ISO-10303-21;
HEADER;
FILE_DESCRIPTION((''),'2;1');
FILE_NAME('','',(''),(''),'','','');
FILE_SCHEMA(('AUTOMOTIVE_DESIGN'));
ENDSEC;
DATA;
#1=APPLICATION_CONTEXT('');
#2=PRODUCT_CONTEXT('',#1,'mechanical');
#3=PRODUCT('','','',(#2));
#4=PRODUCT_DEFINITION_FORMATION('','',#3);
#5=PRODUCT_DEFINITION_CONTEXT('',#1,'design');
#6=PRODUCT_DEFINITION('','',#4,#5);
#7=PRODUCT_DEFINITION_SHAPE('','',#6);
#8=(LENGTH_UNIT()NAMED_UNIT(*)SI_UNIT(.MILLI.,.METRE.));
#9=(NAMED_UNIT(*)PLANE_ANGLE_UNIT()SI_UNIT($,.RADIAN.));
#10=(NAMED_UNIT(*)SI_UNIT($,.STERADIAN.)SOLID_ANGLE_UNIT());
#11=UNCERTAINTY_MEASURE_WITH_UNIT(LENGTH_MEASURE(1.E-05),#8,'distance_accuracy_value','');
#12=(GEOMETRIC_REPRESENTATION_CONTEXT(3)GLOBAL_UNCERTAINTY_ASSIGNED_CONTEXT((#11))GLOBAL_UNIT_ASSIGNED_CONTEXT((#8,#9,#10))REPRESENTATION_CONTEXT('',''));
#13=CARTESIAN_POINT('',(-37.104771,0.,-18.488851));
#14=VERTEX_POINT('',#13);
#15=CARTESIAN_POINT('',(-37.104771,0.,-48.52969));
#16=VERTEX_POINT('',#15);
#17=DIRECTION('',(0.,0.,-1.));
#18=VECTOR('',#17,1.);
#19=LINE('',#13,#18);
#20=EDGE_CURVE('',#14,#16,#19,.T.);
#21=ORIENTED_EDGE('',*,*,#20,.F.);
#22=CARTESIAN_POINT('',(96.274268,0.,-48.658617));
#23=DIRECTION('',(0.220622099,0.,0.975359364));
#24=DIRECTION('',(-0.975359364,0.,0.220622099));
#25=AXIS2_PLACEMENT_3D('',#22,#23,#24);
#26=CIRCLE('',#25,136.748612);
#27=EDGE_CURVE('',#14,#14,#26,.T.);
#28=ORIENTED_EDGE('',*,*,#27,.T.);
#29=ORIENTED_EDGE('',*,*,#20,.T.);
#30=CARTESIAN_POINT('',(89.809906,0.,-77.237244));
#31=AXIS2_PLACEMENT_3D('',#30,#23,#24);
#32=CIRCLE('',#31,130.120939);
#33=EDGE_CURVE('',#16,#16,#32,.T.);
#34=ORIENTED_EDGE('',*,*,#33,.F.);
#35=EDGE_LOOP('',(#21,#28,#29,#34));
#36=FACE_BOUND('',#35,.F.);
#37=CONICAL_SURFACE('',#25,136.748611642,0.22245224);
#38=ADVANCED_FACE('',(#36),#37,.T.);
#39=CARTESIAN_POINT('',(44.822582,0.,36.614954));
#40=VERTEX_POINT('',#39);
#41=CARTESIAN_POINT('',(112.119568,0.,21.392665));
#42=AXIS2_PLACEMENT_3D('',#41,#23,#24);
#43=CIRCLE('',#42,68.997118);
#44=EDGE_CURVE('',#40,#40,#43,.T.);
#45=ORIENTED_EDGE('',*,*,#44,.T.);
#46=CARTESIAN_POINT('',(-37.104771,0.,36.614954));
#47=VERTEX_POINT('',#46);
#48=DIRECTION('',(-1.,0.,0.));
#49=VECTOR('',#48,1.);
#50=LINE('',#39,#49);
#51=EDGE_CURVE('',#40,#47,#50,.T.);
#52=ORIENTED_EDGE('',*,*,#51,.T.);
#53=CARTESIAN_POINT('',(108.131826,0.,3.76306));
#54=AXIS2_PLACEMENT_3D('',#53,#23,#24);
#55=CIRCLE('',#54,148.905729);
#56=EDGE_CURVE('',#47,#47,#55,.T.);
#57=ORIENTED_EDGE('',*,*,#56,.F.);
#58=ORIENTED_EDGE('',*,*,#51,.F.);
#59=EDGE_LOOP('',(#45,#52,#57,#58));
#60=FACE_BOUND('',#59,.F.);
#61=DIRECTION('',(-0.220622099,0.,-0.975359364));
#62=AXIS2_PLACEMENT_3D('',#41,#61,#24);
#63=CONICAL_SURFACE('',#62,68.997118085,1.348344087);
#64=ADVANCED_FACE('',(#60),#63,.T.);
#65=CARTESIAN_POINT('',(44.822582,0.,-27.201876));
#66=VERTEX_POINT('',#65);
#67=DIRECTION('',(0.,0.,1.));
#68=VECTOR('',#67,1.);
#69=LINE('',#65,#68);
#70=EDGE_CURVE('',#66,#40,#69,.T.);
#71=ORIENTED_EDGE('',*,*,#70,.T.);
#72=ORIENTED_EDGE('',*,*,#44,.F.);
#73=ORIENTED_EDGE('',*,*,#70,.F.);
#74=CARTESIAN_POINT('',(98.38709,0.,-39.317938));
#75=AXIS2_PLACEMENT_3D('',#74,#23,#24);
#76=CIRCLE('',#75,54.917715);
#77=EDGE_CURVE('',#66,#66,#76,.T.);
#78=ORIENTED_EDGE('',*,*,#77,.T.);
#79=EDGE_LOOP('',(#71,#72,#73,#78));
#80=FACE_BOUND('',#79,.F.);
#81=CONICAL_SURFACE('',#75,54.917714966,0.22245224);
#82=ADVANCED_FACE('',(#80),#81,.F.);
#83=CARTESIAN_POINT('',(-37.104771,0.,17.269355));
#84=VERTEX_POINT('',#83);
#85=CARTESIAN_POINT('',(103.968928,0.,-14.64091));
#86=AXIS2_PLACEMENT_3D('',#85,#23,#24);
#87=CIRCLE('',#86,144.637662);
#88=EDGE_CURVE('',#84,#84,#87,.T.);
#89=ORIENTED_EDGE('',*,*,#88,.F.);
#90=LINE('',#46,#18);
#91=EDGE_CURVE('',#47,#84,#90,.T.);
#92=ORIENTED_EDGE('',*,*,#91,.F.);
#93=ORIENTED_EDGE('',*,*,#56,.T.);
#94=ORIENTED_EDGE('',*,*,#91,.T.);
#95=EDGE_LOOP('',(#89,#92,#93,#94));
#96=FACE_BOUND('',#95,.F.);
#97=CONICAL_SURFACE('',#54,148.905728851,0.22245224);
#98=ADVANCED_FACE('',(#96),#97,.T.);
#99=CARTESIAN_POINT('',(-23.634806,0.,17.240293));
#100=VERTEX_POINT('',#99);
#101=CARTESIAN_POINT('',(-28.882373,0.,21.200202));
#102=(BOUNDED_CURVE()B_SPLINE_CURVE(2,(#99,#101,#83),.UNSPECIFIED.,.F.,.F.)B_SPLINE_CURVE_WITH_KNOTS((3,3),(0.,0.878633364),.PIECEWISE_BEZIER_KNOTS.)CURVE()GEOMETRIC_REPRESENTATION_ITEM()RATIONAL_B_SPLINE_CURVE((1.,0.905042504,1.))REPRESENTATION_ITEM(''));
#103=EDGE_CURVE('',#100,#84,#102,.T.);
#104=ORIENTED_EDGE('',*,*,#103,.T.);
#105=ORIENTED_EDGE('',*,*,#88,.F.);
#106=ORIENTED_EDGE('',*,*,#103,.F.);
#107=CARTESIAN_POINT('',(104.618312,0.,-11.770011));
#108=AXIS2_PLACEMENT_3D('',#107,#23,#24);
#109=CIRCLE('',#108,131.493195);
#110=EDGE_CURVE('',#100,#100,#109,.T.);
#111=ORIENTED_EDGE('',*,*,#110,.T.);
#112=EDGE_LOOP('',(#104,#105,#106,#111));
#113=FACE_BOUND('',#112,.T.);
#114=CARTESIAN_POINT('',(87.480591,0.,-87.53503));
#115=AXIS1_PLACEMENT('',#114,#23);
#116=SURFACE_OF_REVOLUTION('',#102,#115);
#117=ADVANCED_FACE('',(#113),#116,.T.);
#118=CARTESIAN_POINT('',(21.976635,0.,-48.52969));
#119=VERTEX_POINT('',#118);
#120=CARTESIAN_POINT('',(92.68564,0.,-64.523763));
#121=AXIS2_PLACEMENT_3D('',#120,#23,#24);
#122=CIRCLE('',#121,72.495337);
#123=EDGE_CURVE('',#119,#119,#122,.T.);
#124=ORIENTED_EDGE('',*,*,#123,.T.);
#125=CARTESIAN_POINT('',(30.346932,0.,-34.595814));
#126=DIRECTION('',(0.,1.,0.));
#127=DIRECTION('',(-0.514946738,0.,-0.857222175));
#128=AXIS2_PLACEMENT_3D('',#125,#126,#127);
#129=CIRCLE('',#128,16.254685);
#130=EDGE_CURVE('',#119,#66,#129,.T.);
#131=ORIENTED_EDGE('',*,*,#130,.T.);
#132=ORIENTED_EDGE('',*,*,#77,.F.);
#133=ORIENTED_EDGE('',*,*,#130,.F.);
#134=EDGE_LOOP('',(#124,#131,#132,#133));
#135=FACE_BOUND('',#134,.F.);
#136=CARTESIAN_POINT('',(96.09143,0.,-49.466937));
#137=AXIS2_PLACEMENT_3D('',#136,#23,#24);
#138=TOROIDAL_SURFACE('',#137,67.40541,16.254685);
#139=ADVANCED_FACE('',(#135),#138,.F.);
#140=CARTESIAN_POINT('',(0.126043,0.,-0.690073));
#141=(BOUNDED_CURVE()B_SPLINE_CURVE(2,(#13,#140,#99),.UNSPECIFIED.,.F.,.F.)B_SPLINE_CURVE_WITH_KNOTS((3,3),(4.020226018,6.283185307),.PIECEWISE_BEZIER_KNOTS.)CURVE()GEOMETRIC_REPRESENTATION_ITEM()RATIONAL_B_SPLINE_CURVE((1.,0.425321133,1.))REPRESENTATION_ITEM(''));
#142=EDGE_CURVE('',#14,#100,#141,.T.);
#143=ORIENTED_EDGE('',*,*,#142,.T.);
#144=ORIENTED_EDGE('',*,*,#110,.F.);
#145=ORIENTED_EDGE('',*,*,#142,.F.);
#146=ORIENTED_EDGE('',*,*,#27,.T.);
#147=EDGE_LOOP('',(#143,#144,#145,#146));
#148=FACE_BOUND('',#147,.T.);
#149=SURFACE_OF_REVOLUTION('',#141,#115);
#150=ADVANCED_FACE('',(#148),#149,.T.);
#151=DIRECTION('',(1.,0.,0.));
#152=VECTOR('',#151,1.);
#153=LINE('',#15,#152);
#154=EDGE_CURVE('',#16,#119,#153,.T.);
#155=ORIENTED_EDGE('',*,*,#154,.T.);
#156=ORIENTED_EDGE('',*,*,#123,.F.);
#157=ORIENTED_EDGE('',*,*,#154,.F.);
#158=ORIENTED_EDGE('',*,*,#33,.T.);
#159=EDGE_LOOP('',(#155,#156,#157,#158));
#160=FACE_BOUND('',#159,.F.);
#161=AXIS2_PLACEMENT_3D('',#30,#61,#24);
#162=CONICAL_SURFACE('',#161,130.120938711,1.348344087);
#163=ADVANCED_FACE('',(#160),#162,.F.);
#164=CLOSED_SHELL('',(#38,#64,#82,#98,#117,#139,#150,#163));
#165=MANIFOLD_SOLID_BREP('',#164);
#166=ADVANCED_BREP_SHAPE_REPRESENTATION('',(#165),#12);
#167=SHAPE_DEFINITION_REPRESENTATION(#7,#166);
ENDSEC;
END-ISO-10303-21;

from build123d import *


with BuildPart() as f1:
    # F0 (on Front) → F1 (revolve)
    with BuildSketch(Plane.XZ):
        with BuildLine():
            Line((44.8225822893, 36.6149544716), (-37.1047705412, 36.6149544716))
            Line((-37.1047705412, 36.6149544716), (-37.1047705412, 17.2693547201))
            add(Edge.make_bspline(
                [(-23.6348062754, 17.240293324), (-28.8823725055, 21.2002017668), (-37.1047705412, 17.2693547201)],
                knots=[0, 0, 0, 0.8786333645, 0.8786333645, 0.8786333645], degree=2, weights=[1, 0.905042504, 1]))
            add(Edge.make_bspline(
                [(-37.1047705412, -18.488850851), (0.1260428162, -0.6900734021), (-23.6348062754, 17.240293324)],
                knots=[4.0202260181, 4.0202260181, 4.0202260181, 6.2831853072, 6.2831853072, 6.2831853072], degree=2, weights=[1, 0.4253211328, 1]))
            Line((-37.1047705412, -18.488850851), (-37.1047705412, -48.5296896983))
            Line((-37.1047705412, -48.5296896983), (21.97663486, -48.5296896983))
            ThreePointArc((21.97663486, -48.5296896983), (19.2546936408, -22.7140196287), (44.8225822893, -27.2018760443))
            Line((44.8225822893, -27.2018760443), (44.8225822893, 36.6149544716))
        make_face()
    revolve(axis=Axis((87.4805906788, 0, -87.5350297429), (0.2206220993, 0, 0.9753593642)))


solid = f1.part
